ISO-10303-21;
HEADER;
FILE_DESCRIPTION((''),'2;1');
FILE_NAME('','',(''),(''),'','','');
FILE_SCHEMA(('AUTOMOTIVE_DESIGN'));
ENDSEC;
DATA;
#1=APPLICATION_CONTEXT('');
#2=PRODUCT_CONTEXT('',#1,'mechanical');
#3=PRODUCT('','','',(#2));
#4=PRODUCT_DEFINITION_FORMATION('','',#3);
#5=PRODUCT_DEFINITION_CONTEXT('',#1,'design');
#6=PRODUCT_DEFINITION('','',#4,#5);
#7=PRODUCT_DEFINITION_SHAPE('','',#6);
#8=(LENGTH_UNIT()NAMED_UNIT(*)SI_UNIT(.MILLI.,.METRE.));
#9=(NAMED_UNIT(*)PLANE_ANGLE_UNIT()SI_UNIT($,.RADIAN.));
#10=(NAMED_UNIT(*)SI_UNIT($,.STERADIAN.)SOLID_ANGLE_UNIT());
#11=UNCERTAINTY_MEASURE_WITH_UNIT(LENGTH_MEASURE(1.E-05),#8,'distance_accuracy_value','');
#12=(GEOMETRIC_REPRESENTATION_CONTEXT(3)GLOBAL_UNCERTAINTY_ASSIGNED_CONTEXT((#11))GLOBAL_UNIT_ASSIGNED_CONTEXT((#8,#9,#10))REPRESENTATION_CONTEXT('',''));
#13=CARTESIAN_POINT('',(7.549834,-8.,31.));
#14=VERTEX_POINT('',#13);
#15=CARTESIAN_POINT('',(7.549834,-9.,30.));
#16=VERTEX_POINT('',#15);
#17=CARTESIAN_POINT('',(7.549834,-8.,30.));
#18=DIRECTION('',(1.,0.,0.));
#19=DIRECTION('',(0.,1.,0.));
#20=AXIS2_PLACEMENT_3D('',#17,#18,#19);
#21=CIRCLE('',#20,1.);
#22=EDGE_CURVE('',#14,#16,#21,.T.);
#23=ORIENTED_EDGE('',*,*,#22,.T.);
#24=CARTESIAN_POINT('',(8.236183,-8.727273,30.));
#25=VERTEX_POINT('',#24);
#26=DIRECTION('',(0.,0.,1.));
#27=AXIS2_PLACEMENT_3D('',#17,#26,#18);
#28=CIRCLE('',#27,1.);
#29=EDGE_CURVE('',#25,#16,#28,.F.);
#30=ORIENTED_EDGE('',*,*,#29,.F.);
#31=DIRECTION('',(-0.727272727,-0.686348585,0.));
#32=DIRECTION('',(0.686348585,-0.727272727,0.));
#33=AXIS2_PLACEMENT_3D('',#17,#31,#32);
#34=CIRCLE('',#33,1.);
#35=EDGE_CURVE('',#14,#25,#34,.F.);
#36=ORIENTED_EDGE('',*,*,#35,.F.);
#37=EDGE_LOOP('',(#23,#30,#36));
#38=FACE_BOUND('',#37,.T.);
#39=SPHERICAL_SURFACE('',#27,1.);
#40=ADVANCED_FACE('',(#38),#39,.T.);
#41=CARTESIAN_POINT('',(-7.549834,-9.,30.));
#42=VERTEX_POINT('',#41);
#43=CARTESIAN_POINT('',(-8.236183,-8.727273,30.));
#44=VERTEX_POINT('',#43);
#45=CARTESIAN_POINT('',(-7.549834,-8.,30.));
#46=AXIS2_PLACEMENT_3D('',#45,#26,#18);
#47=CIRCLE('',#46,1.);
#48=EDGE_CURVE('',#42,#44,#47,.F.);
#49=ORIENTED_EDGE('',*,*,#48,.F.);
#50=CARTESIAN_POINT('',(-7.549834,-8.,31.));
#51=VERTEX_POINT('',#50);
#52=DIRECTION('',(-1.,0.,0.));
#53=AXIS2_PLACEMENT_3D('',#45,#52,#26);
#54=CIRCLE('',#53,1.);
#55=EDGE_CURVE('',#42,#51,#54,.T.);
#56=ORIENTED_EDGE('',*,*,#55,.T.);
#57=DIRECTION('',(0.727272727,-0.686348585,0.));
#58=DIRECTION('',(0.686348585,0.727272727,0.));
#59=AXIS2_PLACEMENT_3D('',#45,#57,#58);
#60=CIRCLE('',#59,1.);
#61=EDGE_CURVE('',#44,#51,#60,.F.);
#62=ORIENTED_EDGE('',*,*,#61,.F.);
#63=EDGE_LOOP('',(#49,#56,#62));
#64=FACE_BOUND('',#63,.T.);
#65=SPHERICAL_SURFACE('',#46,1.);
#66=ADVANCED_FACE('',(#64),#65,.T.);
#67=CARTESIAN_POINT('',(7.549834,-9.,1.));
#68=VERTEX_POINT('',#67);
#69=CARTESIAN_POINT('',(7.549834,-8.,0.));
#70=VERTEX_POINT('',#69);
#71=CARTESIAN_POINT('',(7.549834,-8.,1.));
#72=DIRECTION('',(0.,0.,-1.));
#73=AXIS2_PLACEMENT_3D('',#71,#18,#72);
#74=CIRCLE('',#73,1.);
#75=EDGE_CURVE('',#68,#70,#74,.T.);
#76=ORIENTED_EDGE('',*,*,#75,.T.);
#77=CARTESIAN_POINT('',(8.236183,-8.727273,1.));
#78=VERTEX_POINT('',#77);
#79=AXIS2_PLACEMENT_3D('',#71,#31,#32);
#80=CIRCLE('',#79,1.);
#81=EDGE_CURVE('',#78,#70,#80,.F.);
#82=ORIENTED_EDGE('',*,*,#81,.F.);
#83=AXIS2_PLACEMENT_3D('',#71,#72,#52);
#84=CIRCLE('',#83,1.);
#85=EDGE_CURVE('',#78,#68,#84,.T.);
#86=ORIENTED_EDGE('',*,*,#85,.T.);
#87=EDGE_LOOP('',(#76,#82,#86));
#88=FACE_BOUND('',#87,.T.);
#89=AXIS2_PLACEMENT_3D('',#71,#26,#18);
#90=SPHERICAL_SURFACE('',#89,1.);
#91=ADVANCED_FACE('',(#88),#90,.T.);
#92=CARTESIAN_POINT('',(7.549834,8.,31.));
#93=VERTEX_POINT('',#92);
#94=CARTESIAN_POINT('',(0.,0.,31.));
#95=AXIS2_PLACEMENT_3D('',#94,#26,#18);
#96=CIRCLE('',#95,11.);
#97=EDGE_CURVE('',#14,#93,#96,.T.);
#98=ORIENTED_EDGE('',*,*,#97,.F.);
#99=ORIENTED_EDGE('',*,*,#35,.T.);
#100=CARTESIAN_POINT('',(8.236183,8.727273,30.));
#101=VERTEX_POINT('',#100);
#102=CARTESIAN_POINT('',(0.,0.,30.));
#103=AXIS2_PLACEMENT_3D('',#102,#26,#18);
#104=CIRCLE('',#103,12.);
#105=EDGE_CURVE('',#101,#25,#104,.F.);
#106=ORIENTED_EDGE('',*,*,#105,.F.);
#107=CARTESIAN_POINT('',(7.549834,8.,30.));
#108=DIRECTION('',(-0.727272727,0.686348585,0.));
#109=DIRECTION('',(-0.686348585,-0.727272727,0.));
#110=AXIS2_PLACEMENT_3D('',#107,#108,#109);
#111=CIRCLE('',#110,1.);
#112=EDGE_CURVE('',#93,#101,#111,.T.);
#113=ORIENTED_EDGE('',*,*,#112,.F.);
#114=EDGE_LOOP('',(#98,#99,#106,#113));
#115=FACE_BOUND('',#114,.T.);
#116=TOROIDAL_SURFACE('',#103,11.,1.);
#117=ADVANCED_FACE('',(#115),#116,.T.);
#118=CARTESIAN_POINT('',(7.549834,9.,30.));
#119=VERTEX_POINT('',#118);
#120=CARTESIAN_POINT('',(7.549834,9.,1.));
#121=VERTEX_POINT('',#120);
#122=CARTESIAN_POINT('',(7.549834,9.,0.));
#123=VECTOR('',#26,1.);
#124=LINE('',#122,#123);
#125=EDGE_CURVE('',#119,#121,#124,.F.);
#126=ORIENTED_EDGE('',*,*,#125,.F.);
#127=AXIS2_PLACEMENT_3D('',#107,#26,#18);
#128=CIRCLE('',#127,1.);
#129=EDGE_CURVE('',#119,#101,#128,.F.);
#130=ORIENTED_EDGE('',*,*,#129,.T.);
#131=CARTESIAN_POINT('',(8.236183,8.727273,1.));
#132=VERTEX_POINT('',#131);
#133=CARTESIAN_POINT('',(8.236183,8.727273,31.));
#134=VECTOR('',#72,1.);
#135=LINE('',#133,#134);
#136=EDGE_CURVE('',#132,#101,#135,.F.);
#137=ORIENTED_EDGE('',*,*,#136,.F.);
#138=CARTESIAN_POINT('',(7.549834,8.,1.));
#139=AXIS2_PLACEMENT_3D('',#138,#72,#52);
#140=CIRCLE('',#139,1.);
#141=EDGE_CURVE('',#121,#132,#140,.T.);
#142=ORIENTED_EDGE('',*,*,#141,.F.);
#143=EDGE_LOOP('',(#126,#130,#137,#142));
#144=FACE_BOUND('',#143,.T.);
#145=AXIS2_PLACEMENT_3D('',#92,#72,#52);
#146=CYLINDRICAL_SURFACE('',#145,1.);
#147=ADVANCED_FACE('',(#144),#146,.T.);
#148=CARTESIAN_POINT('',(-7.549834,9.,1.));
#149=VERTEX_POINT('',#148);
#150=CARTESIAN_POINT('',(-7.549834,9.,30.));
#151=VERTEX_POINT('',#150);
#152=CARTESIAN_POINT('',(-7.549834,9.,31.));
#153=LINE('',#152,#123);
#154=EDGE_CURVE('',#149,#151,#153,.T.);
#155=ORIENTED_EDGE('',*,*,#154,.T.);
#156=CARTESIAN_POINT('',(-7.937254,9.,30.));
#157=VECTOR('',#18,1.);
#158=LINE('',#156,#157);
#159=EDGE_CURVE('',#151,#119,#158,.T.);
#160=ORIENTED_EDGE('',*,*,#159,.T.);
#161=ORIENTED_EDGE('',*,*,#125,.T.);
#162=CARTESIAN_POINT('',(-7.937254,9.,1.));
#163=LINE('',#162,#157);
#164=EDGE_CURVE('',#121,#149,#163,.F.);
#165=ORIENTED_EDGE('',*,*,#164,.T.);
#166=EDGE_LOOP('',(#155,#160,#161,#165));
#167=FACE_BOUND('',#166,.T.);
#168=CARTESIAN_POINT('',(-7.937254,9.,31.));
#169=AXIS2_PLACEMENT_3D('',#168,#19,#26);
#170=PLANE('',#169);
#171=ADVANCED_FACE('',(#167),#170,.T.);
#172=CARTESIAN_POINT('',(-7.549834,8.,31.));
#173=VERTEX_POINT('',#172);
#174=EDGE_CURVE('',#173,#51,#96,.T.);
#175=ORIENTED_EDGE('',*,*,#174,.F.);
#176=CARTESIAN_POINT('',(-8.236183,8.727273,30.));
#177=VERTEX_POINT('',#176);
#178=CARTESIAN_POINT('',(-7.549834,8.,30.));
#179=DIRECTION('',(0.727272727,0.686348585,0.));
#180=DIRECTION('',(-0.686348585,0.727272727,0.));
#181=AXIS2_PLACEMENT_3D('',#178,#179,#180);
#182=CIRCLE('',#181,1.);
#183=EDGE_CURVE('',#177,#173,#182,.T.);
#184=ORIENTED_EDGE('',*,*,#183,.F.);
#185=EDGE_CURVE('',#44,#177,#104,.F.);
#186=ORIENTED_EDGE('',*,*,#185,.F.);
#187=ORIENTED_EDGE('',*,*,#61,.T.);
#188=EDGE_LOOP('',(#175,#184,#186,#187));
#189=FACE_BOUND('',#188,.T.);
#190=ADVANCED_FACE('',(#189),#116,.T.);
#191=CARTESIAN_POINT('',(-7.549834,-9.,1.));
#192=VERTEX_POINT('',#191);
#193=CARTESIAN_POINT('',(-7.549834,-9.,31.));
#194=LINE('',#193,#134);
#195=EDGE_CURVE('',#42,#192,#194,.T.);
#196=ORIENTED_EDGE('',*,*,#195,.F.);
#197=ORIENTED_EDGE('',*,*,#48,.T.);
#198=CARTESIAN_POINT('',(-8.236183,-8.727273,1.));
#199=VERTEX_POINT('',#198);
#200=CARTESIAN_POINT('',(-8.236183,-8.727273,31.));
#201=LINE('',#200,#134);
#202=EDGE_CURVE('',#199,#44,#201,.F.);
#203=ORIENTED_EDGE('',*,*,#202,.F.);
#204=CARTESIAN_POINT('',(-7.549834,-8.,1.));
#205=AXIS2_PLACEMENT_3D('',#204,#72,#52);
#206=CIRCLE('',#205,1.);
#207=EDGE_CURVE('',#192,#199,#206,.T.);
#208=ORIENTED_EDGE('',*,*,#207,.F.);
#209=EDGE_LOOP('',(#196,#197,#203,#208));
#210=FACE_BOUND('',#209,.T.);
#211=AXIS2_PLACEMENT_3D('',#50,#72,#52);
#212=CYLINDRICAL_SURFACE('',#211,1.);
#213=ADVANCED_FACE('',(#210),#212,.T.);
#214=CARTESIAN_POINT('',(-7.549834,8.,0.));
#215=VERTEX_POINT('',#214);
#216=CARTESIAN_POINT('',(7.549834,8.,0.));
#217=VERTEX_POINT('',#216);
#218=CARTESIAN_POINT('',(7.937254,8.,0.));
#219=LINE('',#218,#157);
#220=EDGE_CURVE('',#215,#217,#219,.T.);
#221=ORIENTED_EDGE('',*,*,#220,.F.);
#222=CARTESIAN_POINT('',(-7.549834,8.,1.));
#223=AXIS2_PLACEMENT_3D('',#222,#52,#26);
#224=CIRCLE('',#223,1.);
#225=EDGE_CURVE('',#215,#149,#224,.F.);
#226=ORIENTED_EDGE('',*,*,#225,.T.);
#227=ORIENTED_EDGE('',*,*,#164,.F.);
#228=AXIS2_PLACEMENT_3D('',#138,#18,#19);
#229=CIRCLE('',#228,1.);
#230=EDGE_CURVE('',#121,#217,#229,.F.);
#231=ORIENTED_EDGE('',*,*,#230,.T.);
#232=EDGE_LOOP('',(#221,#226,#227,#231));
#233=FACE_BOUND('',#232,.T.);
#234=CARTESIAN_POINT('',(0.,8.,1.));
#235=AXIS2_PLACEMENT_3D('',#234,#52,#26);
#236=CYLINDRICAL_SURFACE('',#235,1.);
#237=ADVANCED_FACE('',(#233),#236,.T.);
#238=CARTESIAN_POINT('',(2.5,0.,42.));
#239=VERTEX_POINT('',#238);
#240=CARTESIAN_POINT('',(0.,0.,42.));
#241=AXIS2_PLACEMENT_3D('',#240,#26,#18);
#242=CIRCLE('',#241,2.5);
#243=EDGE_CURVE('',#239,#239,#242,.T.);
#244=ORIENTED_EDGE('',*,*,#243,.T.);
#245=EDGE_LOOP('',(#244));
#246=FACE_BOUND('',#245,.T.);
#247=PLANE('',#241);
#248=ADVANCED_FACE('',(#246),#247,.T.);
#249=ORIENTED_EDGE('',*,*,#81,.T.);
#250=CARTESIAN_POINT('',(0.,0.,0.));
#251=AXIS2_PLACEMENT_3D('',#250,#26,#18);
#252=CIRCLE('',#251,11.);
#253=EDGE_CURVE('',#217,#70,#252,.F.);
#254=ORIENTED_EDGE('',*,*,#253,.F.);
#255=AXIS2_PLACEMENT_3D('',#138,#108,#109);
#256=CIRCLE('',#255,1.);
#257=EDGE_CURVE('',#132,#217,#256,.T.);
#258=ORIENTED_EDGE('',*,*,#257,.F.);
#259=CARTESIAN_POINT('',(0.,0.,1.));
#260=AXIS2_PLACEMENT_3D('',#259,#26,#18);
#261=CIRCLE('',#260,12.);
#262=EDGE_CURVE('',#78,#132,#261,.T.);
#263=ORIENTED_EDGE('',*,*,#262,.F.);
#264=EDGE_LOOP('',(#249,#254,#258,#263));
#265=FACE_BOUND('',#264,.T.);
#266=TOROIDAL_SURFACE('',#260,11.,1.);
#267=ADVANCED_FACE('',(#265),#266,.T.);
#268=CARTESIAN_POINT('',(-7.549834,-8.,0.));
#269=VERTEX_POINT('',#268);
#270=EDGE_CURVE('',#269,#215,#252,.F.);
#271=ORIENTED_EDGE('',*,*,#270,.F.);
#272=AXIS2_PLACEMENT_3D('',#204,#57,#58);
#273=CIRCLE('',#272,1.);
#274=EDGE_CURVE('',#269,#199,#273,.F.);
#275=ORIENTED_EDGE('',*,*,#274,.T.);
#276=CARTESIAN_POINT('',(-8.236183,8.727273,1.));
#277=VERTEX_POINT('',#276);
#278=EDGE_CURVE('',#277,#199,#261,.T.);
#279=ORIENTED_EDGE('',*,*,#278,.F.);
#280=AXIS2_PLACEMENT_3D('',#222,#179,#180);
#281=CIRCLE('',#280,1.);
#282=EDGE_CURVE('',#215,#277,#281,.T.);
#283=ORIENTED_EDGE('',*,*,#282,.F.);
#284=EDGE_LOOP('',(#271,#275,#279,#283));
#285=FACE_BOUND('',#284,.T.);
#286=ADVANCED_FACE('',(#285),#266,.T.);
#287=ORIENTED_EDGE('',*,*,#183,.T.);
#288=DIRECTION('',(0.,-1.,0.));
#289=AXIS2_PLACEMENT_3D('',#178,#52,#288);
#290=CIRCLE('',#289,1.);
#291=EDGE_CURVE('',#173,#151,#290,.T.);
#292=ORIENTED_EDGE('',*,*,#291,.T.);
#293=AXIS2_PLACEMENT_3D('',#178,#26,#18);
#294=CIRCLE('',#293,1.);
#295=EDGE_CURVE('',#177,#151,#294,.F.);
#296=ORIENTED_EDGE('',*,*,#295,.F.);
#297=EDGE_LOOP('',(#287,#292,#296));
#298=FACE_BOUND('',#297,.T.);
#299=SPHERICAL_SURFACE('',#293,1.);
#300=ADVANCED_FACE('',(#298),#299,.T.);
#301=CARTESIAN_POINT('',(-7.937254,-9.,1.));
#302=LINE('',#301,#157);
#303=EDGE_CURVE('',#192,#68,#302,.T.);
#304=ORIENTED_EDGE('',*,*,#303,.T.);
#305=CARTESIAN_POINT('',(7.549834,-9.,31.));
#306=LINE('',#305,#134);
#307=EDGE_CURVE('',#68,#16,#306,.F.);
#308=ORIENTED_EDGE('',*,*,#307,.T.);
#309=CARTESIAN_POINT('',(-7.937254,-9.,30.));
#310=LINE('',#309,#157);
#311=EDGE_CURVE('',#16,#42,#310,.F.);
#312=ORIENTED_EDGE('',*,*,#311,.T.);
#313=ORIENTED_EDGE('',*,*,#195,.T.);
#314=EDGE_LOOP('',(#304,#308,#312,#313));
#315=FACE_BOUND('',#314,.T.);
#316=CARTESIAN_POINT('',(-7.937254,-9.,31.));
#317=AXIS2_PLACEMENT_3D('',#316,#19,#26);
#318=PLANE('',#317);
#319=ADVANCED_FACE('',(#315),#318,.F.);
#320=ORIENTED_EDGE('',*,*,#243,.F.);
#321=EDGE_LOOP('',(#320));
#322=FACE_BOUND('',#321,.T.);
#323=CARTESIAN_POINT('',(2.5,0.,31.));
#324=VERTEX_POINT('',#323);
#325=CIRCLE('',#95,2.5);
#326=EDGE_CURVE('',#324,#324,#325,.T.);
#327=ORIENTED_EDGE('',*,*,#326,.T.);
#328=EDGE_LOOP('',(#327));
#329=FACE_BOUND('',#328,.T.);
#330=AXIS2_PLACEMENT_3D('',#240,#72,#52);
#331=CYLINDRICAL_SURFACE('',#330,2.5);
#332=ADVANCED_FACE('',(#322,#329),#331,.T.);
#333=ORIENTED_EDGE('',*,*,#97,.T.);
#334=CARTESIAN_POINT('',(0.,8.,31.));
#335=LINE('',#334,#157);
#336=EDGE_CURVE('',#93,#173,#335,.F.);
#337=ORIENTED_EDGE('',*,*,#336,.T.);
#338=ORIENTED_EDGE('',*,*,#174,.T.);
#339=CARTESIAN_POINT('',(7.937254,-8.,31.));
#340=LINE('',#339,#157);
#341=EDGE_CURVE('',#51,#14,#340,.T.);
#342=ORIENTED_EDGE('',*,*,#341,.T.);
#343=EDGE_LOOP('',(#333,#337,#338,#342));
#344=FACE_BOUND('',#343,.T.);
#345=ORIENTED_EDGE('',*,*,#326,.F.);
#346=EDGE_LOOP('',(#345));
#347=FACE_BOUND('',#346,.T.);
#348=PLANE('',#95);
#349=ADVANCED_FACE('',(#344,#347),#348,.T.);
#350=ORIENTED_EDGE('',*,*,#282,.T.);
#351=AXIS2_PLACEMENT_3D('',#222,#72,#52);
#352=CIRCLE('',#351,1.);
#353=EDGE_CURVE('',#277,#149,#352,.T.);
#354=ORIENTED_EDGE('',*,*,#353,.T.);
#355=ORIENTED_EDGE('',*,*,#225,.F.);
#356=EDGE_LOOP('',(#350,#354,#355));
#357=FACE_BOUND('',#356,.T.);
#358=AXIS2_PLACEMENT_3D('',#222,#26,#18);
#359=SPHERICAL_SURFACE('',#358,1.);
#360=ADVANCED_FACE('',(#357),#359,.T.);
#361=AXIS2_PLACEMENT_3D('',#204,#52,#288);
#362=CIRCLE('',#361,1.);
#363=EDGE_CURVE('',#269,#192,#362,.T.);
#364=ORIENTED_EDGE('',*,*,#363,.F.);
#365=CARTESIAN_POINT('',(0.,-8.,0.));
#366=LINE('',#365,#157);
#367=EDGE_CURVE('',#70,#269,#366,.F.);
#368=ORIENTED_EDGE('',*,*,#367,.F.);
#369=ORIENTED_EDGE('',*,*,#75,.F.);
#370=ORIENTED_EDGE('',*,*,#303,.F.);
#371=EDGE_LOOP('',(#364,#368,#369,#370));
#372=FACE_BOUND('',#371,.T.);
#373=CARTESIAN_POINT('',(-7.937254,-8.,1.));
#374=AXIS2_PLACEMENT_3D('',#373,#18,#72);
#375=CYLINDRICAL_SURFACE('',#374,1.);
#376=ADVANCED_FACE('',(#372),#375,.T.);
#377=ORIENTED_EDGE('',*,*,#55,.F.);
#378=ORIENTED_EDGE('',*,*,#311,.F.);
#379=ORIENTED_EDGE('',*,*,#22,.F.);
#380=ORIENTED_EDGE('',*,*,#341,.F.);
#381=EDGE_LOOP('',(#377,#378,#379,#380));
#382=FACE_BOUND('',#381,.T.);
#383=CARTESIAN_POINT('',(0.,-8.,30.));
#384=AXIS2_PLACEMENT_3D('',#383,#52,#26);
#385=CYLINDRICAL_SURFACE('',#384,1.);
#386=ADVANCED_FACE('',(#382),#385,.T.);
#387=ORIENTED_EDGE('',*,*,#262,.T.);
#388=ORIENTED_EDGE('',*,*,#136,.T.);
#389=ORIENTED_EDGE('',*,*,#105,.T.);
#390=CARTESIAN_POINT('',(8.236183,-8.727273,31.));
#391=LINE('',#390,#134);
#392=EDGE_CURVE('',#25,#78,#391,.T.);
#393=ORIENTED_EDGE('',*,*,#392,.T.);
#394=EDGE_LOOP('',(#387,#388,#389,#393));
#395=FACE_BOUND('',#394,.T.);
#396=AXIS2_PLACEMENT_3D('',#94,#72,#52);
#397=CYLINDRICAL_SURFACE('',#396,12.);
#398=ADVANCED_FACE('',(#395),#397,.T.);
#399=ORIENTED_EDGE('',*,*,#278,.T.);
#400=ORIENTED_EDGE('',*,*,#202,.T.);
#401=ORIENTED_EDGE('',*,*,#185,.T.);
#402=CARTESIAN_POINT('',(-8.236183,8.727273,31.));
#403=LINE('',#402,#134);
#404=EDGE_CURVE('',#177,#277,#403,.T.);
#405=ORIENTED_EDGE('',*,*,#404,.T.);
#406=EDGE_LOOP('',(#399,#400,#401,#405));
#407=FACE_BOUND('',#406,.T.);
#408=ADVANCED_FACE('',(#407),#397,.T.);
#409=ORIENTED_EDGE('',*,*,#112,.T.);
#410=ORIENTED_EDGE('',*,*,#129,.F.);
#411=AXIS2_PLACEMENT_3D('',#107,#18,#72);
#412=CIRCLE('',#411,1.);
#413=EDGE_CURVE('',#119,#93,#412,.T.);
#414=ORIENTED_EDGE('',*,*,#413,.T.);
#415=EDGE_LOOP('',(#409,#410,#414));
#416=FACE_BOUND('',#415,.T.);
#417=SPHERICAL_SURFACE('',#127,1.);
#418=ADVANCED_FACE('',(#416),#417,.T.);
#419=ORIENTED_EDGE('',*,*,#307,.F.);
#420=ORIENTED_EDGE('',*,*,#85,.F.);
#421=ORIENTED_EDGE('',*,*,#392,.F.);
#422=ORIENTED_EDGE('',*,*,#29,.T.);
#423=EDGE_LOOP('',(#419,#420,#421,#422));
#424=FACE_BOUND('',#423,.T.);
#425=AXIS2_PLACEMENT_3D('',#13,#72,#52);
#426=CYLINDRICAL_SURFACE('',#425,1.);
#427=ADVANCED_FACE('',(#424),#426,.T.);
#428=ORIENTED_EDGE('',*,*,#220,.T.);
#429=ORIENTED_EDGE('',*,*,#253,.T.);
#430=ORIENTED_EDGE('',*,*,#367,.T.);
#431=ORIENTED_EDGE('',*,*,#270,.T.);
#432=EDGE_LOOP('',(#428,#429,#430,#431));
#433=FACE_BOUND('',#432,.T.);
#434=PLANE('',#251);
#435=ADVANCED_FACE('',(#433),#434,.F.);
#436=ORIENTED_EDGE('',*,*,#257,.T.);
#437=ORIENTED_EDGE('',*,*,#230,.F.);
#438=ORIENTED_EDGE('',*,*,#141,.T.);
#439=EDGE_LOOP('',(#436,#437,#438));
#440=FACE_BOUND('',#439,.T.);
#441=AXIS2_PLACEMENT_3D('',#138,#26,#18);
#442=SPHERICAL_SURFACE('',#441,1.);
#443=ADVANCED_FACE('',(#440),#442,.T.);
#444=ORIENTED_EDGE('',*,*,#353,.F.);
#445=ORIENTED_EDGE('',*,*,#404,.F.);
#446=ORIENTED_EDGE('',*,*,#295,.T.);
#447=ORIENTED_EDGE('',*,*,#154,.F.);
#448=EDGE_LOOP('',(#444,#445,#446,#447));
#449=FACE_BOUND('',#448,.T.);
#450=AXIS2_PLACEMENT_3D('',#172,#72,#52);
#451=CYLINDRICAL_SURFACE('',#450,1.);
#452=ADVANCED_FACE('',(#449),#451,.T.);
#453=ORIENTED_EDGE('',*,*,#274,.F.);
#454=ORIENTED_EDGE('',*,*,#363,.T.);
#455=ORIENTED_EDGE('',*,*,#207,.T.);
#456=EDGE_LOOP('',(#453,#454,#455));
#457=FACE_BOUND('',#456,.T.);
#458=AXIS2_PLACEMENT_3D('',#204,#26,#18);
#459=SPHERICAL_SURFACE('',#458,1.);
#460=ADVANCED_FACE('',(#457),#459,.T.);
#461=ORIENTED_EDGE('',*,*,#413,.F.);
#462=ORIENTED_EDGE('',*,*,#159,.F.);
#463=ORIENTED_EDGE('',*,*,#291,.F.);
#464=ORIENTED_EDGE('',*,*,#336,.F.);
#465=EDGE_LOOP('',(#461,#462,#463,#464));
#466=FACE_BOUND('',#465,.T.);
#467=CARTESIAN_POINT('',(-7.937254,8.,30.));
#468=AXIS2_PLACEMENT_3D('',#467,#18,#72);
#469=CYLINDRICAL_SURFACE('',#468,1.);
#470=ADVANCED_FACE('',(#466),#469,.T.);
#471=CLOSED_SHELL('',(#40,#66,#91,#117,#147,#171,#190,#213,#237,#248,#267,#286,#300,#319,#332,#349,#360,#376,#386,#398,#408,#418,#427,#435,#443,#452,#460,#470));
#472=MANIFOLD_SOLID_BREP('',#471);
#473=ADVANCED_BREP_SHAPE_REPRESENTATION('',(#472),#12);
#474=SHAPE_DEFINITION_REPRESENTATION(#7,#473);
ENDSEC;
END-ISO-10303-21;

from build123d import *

# Parameters (mm, degrees)
BOSS_EXTRUDE1_DEPTH = 31
SKETCH3_R           = 2.5
BOSS_EXTRUDE2_DEPTH = 11
FILLET1_R           = 1


with BuildPart() as part:
    # Sketch2 → Boss-Extrude1 (new body)
    with BuildSketch(Plane.XY):
        with BuildLine():
            Line((-7.937253933, 9), (7.937253933, 9))
            ThreePointArc((7.937253933, 9), (12, 0), (7.937253933, -9))
            Line((7.937253933, -9), (-7.937253933, -9))
            ThreePointArc((-7.937253933, -9), (-12, 0), (-7.937253933, 9))
        make_face()
    extrude(amount=BOSS_EXTRUDE1_DEPTH)

    # Sketch3 → Boss-Extrude2 (add)
    with BuildSketch(Plane.XY.offset(31)):
        Circle(SKETCH3_R)
    extrude(amount=BOSS_EXTRUDE2_DEPTH)

    # Fillet1
    fillet1_edges = [part.edges().sort_by_distance(p)[0] for p in [
        (0, -9, 31),
        (-12, 0, 31),
        (0, 9, 31),
        (-12, 0, 0),
        (0, -9, 0),
        (12, 0, 0),
        (0, 9, 0),
        (-7.937253933, 9, 15.5),
        (-7.937253933, -9, 15.5),
        (7.937253933, -9, 15.5),
        (7.937253933, 9, 15.5),
        (12, 0, 31),
    ]]
    fillet(fillet1_edges, radius=FILLET1_R)


solid = part.part
